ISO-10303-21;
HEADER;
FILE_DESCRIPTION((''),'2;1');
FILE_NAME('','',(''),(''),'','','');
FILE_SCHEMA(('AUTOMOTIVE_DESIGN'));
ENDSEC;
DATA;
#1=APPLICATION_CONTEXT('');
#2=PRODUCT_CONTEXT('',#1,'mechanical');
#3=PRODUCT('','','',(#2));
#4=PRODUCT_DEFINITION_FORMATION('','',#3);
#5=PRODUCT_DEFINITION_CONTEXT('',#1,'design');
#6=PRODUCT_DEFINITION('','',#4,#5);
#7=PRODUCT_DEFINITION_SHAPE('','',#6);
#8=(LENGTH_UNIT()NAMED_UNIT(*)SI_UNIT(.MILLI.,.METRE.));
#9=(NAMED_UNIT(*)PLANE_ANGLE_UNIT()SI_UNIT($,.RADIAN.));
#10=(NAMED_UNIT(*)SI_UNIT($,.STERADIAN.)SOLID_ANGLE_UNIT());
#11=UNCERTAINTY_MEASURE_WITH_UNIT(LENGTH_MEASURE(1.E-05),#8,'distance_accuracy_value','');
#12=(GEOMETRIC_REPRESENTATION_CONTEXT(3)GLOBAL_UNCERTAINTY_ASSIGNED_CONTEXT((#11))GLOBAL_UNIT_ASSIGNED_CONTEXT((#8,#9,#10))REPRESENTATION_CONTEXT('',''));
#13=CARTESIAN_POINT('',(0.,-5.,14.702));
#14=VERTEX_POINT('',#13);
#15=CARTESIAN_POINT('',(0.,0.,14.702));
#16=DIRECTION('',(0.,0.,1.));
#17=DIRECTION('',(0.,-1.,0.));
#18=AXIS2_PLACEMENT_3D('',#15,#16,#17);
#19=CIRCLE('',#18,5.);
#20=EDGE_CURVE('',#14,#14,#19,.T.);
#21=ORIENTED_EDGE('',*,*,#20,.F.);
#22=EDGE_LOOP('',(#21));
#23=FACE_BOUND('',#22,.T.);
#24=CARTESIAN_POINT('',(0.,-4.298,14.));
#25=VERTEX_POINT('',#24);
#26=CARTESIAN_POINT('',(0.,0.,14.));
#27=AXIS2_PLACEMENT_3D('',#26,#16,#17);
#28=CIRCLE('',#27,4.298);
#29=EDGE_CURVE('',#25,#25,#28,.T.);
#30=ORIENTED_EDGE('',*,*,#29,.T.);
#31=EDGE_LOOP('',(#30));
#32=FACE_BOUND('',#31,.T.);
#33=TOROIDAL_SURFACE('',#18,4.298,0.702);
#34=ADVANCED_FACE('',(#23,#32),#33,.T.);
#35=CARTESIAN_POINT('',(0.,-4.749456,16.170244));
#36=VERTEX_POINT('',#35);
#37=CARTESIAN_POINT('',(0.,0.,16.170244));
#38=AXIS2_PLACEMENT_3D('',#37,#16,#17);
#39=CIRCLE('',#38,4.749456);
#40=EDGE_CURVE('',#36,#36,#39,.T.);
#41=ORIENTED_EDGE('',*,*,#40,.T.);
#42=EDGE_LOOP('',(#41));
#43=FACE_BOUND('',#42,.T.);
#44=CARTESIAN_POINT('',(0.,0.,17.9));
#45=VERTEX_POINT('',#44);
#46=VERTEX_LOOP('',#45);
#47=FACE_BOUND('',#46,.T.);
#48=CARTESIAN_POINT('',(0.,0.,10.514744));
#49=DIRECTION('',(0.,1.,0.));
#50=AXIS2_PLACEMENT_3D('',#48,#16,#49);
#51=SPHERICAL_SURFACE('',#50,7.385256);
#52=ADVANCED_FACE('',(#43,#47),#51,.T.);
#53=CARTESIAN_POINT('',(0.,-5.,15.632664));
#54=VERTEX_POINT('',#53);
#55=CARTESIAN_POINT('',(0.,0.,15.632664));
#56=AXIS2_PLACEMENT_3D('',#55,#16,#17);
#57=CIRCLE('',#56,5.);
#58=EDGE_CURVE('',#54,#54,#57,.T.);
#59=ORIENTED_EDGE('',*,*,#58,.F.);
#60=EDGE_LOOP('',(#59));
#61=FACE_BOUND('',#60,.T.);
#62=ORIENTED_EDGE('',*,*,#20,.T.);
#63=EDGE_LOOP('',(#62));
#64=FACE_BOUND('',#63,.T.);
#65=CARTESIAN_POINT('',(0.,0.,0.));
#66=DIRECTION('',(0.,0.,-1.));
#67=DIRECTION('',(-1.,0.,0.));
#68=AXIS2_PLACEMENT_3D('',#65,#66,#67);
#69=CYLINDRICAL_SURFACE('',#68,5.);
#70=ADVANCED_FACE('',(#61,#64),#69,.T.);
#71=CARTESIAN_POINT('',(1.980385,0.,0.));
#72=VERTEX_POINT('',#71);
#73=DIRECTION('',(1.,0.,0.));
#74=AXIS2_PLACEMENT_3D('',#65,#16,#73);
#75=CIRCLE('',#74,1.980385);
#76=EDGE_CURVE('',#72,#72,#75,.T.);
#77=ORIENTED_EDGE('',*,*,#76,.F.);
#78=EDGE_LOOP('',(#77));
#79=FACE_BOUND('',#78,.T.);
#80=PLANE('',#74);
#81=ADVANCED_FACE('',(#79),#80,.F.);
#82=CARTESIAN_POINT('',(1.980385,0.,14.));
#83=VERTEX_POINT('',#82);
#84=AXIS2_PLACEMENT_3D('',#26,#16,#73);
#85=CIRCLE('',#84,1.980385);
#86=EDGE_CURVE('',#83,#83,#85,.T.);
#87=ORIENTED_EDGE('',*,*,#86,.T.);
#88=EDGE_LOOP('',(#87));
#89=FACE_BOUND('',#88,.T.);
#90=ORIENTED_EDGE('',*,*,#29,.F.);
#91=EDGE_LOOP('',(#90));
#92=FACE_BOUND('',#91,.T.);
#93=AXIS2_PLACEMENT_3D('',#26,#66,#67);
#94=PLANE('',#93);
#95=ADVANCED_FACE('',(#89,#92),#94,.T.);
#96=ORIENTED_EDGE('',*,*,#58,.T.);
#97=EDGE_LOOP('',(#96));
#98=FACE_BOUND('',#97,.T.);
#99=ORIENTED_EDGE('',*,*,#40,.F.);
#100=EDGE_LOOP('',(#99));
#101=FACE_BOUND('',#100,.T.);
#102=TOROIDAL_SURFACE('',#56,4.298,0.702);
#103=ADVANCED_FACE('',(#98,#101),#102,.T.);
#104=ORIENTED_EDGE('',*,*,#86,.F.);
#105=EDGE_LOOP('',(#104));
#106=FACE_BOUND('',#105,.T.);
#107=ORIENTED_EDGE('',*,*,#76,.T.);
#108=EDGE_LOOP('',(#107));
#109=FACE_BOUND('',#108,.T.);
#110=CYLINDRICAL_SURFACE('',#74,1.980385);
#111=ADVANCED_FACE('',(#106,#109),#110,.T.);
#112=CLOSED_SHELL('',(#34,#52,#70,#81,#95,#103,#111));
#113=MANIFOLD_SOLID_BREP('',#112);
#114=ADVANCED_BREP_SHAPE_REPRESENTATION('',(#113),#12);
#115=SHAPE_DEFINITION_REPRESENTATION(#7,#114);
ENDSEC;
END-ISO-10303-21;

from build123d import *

# Parameters (mm, degrees)
SKETCH3_W = 14
SKETCH3_H = 1.980384758
SKETCH8_W = 3.9
SKETCH8_H = 5


with BuildPart() as part:
    # Sketch3 → Revolve1 (revolve)
    with BuildSketch(Plane(origin=(0, 0, 0), x_dir=(0, 0, -1), z_dir=(1, 0, 0)), mode=Mode.PRIVATE) as revolve1_sk:
        with Locations((-7, 0.990192379)):
            Rectangle(SKETCH3_W, SKETCH3_H)
    revolve(revolve1_sk.sketch.rotate(Axis((0, 0, 0), (0, 0, -1)), 90), axis=Axis((0, 0, 0), (0, 0, -1)))

    # Sketch8 → Revolve2 (revolve)
    with BuildSketch(Plane(origin=(0, 0, 0), x_dir=(0, 0, -1), z_dir=(1, 0, 0)), mode=Mode.PRIVATE) as revolve2_sk:
        with Locations((-15.95, 2.5)):
            Rectangle(SKETCH8_W, SKETCH8_H)
    revolve(revolve2_sk.sketch.rotate(Axis((0, 0, 0), (0, 0, 1)), 90), axis=Axis((0, 0, 0), (0, 0, 1)))

    # Sketch11 → Cut-Revolve3 (revolve, cut)
    with BuildSketch(Plane(origin=(0, 0, 0), x_dir=(0, 0, -1), z_dir=(1, 0, 0)), mode=Mode.PRIVATE) as cut_revolve3_sk:
        with BuildLine():
            Line((-15.632664285, 5), (-14.702, 5))
            ThreePointArc((-14.702, 5), (-14.20561104, 4.79438896), (-14, 4.298))
            Line((-14, 4.298), (-13.365, 4.298))
            Line((-13.365, 4.298), (-13.365, 5.635))
            Line((-13.365, 5.635), (-18.535, 5.635))
            Line((-18.535, 5.635), (-18.535, 0))
            Line((-18.535, 0), (-17.9, 0))
            ThreePointArc((-17.9, 0), (-17.454099823, 2.527320184), (-16.170243589, 4.749455969))
            ThreePointArc((-16.170243589, 4.749455969), (-15.929212687, 4.934288492), (-15.632664285, 5))
        make_face()
    revolve(cut_revolve3_sk.sketch.rotate(Axis((0, 0, 17.9), (0, 0, -1)), 180), axis=Axis((0, 0, 17.9), (0, 0, -1)), mode=Mode.SUBTRACT)


solid = part.part
